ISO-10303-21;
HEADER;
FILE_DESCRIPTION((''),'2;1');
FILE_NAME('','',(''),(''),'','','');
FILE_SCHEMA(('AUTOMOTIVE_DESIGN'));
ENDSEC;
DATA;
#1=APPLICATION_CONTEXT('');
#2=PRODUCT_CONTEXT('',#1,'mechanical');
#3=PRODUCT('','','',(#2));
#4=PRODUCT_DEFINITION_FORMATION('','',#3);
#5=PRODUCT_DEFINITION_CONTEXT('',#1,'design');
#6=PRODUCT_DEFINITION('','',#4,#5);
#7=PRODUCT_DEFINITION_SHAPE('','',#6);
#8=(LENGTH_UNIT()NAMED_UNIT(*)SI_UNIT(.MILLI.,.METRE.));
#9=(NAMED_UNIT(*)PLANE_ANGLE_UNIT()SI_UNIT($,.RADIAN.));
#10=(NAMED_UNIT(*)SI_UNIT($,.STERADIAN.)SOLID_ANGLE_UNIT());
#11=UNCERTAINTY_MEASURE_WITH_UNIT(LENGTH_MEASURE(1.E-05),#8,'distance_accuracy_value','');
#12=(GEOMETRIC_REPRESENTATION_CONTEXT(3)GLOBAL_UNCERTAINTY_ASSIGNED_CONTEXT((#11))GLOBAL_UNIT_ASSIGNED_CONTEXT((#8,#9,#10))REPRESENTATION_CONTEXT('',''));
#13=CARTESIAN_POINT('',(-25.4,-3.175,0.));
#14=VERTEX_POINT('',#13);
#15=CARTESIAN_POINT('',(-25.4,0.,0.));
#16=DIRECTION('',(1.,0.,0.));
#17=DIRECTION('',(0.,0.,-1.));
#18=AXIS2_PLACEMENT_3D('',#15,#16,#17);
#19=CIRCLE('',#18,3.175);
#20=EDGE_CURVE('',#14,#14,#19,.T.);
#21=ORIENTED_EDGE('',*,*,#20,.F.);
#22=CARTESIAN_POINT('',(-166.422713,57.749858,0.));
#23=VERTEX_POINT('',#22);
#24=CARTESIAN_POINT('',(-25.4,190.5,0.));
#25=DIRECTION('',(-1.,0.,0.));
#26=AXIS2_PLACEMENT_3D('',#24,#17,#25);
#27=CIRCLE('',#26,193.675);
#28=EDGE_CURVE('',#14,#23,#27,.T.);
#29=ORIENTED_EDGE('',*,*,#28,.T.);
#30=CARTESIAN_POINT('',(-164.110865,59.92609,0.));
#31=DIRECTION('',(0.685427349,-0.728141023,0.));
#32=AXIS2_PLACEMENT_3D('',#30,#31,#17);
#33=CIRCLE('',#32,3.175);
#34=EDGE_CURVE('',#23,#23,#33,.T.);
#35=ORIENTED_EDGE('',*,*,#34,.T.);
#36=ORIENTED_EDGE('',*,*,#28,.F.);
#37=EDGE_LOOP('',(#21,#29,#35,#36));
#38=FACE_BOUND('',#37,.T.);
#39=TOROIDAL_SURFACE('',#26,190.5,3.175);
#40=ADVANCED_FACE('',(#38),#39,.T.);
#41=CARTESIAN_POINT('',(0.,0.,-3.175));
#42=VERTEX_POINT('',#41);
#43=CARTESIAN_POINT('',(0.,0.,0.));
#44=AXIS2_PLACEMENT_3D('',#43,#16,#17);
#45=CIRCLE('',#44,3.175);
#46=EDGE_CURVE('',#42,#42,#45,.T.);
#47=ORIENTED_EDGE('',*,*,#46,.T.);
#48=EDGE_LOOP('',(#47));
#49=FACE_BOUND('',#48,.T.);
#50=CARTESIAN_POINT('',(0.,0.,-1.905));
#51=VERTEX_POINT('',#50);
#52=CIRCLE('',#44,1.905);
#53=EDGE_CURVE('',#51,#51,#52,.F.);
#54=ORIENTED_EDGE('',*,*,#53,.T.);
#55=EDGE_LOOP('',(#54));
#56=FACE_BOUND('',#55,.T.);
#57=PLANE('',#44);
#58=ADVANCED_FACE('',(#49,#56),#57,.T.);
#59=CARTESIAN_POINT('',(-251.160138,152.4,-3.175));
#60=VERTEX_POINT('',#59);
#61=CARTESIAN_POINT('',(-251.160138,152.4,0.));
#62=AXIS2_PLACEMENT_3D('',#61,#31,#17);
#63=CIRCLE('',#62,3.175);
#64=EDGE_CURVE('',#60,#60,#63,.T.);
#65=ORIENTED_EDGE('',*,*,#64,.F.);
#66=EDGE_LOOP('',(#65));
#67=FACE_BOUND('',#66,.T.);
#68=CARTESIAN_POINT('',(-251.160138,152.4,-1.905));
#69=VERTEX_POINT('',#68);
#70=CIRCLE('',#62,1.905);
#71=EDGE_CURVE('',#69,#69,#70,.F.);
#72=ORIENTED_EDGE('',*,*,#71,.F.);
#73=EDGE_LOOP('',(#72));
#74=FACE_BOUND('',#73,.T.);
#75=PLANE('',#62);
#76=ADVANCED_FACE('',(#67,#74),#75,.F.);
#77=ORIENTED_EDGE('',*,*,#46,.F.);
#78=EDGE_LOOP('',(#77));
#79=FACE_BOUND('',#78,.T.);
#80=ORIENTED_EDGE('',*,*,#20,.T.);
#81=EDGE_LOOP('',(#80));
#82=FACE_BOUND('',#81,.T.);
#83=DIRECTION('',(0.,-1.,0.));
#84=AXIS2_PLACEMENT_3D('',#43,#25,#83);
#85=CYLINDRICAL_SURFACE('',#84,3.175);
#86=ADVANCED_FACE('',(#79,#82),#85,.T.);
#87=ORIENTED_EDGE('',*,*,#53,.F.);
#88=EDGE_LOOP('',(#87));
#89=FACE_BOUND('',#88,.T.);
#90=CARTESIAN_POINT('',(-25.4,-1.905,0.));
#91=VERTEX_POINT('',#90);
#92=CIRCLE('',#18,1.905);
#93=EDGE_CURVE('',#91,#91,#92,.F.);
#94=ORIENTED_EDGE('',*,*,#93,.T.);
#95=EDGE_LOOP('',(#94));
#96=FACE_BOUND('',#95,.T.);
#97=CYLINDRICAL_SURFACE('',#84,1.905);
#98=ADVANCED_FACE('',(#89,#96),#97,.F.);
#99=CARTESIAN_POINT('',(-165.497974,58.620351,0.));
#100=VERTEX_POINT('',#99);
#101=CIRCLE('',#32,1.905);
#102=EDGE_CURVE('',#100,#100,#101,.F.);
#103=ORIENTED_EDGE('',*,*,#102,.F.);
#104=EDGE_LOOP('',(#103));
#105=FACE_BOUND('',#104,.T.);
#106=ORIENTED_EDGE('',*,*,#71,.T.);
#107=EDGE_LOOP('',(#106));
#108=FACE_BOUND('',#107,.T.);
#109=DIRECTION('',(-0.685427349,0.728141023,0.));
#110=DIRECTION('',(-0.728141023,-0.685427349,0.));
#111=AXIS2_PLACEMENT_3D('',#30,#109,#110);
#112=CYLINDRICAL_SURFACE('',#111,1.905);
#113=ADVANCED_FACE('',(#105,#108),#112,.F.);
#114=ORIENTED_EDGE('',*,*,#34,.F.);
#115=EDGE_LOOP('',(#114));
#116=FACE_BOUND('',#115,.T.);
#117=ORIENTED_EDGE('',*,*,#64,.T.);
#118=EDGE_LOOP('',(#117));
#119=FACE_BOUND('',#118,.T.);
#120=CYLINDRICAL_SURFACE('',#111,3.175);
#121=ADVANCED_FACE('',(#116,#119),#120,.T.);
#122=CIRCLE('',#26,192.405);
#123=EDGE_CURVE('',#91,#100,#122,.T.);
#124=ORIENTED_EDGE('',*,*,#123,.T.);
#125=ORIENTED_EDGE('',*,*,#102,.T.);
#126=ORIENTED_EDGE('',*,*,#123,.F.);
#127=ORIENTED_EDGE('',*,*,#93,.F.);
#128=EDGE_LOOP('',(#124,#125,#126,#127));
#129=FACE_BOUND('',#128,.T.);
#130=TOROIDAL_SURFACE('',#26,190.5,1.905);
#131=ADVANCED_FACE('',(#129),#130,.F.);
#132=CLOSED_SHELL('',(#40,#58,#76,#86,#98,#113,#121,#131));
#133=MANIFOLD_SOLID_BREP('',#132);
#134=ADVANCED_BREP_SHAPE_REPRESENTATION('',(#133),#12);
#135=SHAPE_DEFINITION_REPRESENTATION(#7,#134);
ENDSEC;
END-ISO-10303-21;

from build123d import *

# Parameters (mm, degrees)
SKETCH1_R   = 3.175
SKETCH1_R_2 = 1.905


with BuildPart() as part:
    # Sweep2: sweep along a path in Sketch2
    with BuildLine(Plane.XY) as sweep2_path:
        Line((0, 0), (-25.4, 0))
        ThreePointArc((-25.4, 0), (-100.951042868, 15.622071371), (-164.110864908, 59.926090062))
        Line((-164.110864908, 59.926090062), (-251.1601382, 152.4))
    # Sketch1 → Sweep2 (sweep)
    with BuildSketch(Plane(origin=(0, 0, 0), x_dir=(0, 0, -1), z_dir=(1, 0, 0))):
        Circle(SKETCH1_R)
        Circle(SKETCH1_R_2, mode=Mode.SUBTRACT)
    sweep(path=sweep2_path.line)


solid = part.part
